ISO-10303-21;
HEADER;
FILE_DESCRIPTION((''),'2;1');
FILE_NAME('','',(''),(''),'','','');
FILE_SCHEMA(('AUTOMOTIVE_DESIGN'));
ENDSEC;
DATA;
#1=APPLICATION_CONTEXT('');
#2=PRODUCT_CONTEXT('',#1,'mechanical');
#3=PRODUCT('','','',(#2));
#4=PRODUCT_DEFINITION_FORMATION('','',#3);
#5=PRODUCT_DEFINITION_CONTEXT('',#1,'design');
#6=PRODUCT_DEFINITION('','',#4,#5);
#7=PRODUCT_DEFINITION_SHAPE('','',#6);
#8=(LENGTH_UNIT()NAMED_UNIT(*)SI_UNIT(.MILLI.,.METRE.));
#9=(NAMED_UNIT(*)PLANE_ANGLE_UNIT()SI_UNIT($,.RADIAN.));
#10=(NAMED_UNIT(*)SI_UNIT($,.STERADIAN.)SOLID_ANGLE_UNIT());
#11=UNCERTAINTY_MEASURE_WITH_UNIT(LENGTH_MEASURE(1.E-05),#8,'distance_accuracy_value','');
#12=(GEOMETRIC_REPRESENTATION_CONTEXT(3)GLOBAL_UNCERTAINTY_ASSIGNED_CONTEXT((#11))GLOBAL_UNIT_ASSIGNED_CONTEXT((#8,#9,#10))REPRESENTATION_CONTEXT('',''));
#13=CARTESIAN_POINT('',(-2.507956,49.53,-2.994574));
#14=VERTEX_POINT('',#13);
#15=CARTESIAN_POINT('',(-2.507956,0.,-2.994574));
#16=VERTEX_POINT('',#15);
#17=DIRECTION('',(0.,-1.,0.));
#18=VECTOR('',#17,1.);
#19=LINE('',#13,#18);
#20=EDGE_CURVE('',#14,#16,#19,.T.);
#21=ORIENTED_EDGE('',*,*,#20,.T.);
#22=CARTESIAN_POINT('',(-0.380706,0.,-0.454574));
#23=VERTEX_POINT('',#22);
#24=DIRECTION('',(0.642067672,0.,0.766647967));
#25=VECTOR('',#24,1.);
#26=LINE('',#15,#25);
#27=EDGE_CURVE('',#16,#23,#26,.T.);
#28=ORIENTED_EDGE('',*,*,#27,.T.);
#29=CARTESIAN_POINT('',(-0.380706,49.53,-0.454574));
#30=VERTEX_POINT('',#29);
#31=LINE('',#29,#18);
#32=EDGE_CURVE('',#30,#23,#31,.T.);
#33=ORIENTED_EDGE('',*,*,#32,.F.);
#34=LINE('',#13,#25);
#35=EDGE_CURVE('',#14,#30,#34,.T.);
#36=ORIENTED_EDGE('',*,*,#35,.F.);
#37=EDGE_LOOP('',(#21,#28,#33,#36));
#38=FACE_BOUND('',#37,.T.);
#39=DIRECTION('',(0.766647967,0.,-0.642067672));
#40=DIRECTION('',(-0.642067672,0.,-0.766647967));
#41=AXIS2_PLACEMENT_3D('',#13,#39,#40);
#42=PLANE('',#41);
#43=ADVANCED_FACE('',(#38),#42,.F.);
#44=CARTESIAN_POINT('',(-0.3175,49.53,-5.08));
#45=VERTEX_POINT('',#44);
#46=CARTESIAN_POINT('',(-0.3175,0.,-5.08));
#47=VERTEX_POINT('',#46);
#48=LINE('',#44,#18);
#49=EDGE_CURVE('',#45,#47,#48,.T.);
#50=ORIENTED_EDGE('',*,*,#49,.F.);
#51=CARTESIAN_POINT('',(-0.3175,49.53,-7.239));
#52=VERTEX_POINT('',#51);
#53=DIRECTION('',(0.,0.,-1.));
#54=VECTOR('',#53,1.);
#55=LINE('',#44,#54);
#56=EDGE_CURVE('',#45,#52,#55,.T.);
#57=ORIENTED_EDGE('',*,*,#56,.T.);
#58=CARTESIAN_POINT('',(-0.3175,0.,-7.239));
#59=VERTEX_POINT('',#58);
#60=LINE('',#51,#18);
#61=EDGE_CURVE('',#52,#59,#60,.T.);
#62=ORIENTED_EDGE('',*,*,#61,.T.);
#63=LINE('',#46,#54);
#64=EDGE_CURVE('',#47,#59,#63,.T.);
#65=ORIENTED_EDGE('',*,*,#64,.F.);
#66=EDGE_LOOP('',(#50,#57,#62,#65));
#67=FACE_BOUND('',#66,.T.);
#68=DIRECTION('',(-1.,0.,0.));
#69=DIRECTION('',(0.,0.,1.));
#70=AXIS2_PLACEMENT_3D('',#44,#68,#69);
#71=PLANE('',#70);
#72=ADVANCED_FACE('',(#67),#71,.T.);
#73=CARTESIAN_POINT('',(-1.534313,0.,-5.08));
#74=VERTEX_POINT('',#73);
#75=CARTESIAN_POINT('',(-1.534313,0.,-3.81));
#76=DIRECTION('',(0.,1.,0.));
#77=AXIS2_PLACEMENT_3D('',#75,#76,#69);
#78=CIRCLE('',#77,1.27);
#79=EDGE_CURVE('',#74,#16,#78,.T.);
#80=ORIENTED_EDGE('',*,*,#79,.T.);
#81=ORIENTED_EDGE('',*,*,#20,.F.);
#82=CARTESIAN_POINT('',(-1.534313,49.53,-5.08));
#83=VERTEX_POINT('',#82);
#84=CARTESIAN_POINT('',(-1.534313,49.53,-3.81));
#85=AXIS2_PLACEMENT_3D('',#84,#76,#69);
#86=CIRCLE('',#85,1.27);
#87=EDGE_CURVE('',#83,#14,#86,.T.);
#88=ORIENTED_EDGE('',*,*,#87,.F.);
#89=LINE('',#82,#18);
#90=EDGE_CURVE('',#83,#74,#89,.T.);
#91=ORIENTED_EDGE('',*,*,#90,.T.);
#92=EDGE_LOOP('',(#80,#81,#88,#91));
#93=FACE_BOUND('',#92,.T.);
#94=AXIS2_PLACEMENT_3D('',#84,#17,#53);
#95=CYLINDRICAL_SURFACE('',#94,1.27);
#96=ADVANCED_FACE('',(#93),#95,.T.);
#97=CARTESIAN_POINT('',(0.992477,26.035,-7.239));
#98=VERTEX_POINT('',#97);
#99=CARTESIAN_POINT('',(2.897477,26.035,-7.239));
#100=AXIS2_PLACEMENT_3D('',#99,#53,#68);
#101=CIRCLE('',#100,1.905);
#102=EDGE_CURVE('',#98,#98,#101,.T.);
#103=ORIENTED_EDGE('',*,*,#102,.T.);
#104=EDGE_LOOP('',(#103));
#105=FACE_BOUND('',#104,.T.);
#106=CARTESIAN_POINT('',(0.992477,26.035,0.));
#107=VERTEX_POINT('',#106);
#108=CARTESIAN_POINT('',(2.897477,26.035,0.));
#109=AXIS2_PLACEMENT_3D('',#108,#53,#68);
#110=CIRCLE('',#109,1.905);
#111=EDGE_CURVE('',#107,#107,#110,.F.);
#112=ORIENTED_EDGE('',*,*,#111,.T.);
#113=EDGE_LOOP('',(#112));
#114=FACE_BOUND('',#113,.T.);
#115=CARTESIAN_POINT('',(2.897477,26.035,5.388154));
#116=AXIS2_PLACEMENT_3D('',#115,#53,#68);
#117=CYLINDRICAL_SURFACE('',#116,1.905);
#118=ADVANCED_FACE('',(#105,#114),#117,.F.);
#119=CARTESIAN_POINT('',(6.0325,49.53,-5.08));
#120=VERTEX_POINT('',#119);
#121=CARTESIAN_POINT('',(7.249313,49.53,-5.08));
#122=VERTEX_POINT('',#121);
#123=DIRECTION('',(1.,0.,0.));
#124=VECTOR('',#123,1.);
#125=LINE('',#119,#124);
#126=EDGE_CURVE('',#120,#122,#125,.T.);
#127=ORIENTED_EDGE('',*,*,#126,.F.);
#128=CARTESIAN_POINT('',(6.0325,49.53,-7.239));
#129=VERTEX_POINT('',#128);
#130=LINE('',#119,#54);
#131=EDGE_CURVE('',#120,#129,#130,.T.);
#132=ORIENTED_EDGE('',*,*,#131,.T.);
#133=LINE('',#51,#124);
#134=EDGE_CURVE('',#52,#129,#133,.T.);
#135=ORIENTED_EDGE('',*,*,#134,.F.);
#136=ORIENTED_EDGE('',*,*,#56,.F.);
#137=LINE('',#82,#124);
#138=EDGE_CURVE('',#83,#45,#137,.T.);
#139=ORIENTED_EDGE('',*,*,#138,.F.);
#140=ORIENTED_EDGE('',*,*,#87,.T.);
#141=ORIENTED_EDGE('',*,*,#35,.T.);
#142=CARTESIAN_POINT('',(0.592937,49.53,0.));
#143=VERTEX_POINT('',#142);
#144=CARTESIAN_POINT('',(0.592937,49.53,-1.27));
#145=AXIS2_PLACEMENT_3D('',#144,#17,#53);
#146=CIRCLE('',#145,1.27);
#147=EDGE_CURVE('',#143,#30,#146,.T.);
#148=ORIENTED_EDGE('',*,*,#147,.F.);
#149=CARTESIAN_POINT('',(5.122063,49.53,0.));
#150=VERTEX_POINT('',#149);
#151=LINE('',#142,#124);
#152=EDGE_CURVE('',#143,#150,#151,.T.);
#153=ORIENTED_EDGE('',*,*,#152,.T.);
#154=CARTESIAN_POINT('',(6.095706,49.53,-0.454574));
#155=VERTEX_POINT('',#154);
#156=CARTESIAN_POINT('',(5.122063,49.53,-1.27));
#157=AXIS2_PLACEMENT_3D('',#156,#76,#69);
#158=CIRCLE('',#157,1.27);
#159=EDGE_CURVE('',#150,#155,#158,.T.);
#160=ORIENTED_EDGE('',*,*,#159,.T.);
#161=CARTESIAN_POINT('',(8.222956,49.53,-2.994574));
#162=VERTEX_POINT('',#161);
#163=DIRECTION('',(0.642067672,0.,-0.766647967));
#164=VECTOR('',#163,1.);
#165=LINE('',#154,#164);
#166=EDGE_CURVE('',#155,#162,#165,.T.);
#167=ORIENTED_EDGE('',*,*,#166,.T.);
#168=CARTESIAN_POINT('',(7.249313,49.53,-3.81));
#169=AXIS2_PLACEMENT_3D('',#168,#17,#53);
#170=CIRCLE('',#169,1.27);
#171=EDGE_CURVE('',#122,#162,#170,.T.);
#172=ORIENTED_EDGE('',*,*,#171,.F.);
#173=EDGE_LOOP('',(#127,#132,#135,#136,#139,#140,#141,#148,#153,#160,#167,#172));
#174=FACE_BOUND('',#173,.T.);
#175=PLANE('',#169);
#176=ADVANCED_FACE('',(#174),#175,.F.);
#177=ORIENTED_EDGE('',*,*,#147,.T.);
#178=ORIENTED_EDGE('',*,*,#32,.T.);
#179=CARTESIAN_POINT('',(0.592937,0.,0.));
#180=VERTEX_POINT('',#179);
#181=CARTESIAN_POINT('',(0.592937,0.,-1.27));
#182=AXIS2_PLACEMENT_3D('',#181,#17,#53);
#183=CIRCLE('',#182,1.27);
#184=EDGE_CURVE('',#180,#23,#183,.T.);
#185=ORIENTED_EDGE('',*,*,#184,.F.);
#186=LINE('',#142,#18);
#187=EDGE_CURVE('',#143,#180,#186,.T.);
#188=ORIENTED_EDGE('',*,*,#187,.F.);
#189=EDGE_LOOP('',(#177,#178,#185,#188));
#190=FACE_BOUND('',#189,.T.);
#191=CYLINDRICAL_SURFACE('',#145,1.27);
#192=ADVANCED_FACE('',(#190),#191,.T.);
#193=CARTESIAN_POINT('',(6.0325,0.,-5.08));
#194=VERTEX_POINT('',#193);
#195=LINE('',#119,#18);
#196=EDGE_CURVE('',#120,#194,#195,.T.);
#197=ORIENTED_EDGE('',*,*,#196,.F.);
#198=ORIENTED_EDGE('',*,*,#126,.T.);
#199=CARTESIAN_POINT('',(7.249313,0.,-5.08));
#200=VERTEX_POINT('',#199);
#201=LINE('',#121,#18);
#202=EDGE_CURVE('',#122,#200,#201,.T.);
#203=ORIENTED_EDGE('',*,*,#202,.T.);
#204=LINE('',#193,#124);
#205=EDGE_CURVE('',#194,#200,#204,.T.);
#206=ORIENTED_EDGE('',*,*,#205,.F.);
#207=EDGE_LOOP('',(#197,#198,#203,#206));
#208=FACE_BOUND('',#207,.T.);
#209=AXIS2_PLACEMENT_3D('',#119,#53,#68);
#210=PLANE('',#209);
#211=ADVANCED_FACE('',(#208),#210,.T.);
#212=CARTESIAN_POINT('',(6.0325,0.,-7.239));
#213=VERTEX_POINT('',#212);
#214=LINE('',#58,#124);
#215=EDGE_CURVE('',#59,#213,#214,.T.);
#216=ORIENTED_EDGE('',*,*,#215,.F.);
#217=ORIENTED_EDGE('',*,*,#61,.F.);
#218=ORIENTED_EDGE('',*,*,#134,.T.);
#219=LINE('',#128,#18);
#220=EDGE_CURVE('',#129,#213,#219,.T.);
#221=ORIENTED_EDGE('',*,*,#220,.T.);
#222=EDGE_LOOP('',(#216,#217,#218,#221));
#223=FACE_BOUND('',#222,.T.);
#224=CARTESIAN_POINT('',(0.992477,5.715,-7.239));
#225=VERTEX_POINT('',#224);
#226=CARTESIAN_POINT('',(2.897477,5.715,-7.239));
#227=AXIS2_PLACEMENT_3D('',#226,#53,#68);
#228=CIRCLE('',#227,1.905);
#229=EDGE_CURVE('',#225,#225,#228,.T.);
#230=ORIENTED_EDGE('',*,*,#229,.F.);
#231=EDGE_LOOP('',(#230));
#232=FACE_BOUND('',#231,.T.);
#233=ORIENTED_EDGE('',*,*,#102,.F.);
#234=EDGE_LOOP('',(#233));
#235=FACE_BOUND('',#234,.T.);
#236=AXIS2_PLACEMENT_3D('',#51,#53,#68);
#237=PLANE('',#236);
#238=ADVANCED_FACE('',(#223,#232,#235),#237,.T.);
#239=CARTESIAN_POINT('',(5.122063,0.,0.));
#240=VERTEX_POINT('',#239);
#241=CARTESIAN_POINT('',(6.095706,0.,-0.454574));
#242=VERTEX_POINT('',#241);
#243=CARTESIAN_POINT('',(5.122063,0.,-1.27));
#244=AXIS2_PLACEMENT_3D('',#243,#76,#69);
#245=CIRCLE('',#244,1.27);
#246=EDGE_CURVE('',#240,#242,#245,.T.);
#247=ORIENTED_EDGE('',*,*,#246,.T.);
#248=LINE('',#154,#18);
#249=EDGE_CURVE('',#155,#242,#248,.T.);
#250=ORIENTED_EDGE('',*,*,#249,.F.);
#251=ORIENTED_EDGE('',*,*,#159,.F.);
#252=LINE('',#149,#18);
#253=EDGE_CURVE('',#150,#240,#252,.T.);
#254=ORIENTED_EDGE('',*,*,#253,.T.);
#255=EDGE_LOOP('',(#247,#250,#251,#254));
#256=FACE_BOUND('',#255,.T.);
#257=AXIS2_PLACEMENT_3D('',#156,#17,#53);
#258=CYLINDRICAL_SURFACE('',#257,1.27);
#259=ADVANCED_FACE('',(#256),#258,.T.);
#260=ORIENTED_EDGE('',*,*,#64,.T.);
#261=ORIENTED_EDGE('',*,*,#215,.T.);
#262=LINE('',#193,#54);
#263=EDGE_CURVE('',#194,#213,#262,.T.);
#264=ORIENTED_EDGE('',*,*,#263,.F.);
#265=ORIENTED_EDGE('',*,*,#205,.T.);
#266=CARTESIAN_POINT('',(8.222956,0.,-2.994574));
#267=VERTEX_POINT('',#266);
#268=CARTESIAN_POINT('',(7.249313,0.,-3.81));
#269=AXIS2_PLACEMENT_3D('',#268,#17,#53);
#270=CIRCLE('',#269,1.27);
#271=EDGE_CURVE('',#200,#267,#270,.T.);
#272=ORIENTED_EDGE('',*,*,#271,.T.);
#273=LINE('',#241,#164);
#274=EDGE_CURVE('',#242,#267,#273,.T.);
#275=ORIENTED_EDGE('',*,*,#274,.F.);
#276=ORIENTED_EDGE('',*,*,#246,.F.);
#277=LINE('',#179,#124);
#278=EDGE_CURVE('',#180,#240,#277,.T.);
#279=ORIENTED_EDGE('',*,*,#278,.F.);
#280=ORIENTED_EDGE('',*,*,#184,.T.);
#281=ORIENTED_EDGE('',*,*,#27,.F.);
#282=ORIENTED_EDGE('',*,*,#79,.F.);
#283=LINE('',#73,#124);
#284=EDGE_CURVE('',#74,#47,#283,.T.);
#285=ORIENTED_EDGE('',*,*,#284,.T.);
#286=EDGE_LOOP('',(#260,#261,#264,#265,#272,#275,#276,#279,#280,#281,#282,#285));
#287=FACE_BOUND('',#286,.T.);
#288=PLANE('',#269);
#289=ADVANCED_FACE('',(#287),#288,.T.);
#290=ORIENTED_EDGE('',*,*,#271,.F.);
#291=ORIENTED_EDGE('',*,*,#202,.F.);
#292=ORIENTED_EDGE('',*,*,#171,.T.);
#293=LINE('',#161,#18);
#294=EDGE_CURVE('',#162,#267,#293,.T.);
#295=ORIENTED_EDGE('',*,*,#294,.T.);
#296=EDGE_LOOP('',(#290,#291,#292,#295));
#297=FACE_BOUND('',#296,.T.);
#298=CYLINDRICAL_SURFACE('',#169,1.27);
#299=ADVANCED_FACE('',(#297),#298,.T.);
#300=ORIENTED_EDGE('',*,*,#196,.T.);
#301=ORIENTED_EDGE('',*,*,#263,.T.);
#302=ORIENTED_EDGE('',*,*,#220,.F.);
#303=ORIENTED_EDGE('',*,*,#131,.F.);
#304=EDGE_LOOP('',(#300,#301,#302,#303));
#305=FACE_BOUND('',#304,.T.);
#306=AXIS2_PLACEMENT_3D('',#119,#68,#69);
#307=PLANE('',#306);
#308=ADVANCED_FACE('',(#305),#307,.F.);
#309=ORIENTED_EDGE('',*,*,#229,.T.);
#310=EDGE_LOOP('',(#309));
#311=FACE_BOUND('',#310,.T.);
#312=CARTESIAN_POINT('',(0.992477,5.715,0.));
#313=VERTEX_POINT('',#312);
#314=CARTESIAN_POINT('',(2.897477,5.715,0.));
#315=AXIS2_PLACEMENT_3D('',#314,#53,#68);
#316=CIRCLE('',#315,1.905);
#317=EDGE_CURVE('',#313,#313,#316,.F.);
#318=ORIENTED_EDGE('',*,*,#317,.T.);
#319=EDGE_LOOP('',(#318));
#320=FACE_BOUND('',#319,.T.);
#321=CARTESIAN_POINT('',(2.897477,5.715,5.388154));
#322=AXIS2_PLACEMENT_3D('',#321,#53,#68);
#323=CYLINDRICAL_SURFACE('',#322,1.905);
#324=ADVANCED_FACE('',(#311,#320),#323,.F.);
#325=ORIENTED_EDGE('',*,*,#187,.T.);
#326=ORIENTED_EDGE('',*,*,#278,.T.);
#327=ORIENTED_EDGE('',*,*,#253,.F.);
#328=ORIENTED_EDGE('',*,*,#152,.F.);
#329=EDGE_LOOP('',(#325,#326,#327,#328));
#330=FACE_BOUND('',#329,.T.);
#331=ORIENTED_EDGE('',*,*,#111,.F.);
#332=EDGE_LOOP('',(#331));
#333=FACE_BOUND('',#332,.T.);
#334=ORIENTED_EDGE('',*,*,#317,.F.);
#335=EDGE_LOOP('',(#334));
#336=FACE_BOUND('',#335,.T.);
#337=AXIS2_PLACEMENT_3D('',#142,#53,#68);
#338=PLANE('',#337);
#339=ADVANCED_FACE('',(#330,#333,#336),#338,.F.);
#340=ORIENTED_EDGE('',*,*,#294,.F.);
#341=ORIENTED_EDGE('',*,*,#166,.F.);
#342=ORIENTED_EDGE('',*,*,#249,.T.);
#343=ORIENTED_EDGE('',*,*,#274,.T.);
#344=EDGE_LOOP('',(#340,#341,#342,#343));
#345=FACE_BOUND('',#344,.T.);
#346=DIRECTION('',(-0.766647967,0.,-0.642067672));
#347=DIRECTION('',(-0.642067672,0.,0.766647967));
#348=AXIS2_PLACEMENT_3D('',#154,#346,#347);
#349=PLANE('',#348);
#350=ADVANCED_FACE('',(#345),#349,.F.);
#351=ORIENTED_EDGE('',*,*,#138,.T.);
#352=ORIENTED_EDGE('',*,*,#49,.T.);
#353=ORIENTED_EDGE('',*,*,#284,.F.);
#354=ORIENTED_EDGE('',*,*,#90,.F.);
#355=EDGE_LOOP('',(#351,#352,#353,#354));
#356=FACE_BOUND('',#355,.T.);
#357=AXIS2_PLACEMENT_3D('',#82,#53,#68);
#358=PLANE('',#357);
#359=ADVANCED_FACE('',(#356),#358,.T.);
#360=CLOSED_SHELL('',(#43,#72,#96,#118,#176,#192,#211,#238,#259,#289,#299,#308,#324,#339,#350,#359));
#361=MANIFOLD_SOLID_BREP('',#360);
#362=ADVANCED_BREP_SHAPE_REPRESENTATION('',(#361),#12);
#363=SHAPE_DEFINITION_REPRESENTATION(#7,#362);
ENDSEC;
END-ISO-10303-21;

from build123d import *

# Parameters (mm, degrees)
BOSS_EXTRUDE1_DEPTH = 49.53
SKETCH2_R           = 1.905
CUT_EXTRUDE1_DEPTH  = 7.239


with BuildPart() as part:
    # Sketch1 → Boss-Extrude1 (new body)
    with BuildSketch(Plane(origin=(0, 0, 0), x_dir=(1, 0, 0), z_dir=(0, 1, 0))):
        with BuildLine():
            Line((0.592937145, 0), (5.122062855, 0))
            ThreePointArc((5.122062855, 0), (5.659328642, 0.119241348), (6.095705772, 0.454574057))
            Line((6.095705772, 0.454574057), (8.222955772, 2.994574057))
            ThreePointArc((8.222955772, 2.994574057), (8.400071506, 4.347265787), (7.249312855, 5.08))
            Line((7.249312855, 5.08), (6.0325, 5.08))
            Line((6.0325, 5.08), (6.0325, 7.239))
            Line((6.0325, 7.239), (-0.3175, 7.239))
            Line((-0.3175, 7.239), (-0.3175, 5.08))
            Line((-0.3175, 5.08), (-1.534312855, 5.08))
            ThreePointArc((-1.534312855, 5.08), (-2.685071506, 4.347265787), (-2.507955772, 2.994574057))
            Line((-2.507955772, 2.994574057), (-0.380705772, 0.454574057))
            ThreePointArc((-0.380705772, 0.454574057), (0.055671358, 0.119241348), (0.592937145, 0))
        make_face()
    extrude(amount=BOSS_EXTRUDE1_DEPTH)

    # Sketch2 → Cut-Extrude1 (cut)
    with BuildSketch(Plane(origin=(0, 0, -7.239), x_dir=(-1, 0, 0), z_dir=(0, 0, -1))):
        with Locations((-2.897477191, 5.715)):
            Circle(SKETCH2_R)
        with Locations((-2.897477191, 26.035)):
            Circle(SKETCH2_R)
    extrude(amount=-CUT_EXTRUDE1_DEPTH, mode=Mode.SUBTRACT)


solid = part.part
